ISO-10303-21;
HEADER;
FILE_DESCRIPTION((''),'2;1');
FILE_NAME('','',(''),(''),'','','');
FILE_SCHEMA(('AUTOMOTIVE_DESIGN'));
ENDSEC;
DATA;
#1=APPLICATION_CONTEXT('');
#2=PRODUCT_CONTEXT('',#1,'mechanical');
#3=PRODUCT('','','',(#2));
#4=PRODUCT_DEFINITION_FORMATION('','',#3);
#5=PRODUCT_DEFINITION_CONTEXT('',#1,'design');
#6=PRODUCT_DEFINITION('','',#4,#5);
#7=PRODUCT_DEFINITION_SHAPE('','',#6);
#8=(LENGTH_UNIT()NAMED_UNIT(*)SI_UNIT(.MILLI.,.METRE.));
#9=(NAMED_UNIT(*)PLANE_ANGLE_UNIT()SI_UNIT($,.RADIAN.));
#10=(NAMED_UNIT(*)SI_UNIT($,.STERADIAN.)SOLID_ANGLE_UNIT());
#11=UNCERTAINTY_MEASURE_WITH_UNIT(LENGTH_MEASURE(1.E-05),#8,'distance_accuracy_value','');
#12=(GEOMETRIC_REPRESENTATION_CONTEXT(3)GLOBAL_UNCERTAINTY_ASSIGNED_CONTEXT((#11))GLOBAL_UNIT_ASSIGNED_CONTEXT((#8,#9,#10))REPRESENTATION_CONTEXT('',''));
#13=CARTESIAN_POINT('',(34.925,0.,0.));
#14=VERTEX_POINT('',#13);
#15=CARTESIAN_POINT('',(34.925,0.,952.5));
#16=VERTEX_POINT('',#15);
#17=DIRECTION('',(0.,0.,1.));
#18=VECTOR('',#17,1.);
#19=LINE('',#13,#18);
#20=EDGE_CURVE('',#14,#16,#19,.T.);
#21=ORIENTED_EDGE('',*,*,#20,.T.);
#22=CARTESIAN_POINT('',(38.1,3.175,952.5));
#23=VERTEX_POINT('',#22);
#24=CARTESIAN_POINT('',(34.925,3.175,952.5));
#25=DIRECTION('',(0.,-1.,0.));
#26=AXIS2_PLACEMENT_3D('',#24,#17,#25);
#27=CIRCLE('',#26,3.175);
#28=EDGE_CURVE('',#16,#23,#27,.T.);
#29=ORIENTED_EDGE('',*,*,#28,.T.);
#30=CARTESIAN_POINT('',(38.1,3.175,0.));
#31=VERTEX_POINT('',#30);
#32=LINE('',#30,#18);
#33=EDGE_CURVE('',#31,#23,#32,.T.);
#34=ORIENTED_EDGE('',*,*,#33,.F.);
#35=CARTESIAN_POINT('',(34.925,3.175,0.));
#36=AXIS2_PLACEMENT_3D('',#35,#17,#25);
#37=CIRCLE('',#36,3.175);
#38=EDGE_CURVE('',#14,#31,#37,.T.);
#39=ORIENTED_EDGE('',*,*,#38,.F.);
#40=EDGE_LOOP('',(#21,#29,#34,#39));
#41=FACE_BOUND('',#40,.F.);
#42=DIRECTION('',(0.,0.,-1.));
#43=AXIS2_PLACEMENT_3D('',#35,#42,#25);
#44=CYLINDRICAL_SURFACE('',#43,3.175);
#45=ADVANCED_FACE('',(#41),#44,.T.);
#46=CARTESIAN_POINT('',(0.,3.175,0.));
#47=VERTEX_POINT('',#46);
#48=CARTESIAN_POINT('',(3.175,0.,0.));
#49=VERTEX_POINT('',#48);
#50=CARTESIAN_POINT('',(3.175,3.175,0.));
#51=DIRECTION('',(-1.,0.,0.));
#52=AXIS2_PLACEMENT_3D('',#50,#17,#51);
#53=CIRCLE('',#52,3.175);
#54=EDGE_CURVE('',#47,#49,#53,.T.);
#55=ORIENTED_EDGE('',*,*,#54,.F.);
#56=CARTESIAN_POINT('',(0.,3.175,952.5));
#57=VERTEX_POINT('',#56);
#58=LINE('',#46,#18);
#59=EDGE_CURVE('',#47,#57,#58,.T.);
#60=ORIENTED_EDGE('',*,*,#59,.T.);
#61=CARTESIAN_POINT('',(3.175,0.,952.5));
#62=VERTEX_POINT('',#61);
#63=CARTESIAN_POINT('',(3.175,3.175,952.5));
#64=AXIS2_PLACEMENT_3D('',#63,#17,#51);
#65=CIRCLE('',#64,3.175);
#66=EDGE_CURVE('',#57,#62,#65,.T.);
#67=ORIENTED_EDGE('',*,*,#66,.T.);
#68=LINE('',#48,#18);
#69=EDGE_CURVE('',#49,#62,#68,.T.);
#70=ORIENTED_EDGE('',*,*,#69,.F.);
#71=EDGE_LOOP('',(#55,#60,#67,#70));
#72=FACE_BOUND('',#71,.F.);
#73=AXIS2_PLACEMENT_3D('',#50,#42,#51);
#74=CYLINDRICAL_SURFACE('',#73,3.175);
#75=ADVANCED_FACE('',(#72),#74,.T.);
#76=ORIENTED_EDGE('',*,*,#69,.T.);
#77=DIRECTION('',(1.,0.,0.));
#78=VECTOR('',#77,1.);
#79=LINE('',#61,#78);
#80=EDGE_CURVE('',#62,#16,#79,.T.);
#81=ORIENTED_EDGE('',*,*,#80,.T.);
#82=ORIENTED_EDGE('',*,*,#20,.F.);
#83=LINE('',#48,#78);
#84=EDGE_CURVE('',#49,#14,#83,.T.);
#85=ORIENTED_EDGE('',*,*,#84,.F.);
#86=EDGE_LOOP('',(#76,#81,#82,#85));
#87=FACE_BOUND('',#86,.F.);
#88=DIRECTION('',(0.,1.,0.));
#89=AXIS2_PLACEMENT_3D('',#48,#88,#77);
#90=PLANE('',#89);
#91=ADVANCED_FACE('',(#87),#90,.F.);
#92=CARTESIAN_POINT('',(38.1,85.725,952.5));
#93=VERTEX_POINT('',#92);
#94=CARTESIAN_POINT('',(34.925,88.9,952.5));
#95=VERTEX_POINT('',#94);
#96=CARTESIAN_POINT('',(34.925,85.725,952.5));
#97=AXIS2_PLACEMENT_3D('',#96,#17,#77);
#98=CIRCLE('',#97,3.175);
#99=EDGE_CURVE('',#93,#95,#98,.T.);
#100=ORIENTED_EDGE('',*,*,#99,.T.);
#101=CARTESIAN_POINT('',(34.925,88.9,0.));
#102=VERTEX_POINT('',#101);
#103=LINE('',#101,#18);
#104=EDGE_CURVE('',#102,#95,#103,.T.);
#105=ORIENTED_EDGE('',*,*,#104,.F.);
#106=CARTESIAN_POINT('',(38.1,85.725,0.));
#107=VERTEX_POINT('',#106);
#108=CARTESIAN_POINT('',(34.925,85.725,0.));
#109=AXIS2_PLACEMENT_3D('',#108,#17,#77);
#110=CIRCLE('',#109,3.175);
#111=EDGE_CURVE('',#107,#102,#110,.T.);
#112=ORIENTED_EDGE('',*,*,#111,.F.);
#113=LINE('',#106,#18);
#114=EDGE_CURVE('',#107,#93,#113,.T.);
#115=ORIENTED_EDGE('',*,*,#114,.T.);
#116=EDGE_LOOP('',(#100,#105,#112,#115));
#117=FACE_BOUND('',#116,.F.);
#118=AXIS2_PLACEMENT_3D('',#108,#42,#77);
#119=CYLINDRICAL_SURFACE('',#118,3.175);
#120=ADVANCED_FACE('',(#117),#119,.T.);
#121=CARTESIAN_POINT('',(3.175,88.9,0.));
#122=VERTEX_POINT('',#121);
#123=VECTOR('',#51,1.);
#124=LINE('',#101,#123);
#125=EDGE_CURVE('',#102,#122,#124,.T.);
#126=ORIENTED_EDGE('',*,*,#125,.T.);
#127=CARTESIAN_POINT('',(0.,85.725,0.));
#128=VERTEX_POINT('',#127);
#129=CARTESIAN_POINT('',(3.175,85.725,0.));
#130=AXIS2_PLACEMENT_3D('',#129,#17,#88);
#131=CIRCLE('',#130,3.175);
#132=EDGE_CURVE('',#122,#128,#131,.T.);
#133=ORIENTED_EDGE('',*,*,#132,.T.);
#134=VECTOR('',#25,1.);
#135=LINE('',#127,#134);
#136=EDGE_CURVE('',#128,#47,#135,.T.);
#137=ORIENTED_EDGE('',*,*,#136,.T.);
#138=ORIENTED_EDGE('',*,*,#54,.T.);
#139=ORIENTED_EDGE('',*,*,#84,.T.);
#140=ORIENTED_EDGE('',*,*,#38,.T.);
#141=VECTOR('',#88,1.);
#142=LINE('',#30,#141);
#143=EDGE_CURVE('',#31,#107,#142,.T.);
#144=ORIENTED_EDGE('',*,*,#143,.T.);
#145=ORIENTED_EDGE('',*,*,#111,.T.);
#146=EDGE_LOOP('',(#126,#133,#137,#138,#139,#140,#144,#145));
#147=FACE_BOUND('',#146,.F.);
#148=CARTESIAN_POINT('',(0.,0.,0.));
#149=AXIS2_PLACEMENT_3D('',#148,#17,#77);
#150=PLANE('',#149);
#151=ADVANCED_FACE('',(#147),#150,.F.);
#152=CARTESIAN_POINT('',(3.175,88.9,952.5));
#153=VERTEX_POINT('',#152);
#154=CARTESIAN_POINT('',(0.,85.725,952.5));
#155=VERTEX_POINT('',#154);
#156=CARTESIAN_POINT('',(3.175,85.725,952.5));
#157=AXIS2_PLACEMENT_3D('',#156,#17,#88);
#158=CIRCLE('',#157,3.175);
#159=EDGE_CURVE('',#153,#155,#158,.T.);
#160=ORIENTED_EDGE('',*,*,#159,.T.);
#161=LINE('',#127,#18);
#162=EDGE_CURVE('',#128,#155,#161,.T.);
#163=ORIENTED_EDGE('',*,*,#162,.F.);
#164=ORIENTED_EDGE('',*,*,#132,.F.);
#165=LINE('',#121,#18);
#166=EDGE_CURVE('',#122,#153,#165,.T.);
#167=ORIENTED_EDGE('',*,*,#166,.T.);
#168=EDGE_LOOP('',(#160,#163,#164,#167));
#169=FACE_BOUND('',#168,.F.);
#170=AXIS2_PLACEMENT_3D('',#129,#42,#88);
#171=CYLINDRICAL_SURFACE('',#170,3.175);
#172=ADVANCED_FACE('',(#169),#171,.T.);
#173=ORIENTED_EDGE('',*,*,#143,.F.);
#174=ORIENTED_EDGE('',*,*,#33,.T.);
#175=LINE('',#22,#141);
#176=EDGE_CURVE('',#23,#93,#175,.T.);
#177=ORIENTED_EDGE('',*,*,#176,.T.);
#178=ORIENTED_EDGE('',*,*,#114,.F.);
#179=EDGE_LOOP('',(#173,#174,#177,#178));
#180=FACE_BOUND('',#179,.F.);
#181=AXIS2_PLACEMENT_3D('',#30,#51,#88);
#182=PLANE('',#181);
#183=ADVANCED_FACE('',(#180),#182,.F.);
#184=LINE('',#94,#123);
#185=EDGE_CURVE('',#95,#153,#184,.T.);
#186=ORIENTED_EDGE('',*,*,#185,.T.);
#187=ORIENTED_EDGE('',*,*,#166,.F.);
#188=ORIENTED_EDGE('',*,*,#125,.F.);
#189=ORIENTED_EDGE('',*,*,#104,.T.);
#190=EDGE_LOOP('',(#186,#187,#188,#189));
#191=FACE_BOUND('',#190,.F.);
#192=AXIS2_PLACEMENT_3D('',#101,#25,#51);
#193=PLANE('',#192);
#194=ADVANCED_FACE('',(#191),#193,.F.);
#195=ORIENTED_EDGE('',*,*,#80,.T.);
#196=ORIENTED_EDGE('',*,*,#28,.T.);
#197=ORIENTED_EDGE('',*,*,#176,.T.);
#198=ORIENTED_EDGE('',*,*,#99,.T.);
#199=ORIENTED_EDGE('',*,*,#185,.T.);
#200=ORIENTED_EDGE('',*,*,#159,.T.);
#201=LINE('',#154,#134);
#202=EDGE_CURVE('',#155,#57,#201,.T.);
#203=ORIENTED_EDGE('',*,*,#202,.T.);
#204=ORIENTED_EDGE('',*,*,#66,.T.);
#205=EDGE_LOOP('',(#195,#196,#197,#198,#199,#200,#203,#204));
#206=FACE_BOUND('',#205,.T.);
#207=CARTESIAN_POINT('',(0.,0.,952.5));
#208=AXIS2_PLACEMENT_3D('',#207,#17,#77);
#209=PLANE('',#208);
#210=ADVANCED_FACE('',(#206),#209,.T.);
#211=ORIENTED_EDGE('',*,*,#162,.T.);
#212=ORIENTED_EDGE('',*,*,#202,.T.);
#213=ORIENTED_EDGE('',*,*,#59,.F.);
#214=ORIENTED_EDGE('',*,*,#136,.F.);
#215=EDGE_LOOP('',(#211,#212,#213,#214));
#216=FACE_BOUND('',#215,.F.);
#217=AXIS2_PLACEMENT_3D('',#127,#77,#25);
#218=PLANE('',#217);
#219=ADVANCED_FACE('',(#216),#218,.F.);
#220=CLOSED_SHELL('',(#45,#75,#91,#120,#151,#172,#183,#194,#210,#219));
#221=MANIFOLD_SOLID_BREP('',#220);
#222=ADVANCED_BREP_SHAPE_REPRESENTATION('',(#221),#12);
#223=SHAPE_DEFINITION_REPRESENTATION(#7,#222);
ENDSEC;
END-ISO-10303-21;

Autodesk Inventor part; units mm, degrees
ref_plane "YZ Plane" through (0, 0, 0) normal (1, 0, 0) x (0, 1, 0)
ref_plane "XZ Plane" through (0, 0, 0) normal (0, 1, 0) x (-1, 0, 0)
ref_plane "XY Plane" through (0, 0, 0) normal (0, 0, 1) x (1, 0, 0)
sketch "Sketch1" plane through (0, 0, 0) normal (0, 0, 1) x (1, 0, 0)
  line L0 (3.175, 0) -> (34.925, 0)
  line L1 (38.1, 3.175) -> (38.1, 85.725)
  line L2 (34.925, 88.9) -> (3.175, 88.9)
  line L3 (0, 85.725) -> (0, 3.175)
  arc A0 (3.175, 88.9) -> (0, 85.725) centre (3.175, 85.725) ccw
  arc A1 (0, 3.175) -> (3.175, 0) centre (3.175, 3.175) ccw
  arc A2 (34.925, 0) -> (38.1, 3.175) centre (34.925, 3.175) ccw
  arc A3 (38.1, 85.725) -> (34.925, 88.9) centre (34.925, 85.725) ccw
  point P0 (0, 0)
  point P1 (38.1, 88.9)
  point P2 (0, 88.9)
  dimension "d0" = 88.9
  dimension "d1" = 38.1
  dimension "d2" = 3.175
extrude "Extrusion1" add sketch "Sketch1" along normal blind 952.5
properties part number "GE-12103-03"
